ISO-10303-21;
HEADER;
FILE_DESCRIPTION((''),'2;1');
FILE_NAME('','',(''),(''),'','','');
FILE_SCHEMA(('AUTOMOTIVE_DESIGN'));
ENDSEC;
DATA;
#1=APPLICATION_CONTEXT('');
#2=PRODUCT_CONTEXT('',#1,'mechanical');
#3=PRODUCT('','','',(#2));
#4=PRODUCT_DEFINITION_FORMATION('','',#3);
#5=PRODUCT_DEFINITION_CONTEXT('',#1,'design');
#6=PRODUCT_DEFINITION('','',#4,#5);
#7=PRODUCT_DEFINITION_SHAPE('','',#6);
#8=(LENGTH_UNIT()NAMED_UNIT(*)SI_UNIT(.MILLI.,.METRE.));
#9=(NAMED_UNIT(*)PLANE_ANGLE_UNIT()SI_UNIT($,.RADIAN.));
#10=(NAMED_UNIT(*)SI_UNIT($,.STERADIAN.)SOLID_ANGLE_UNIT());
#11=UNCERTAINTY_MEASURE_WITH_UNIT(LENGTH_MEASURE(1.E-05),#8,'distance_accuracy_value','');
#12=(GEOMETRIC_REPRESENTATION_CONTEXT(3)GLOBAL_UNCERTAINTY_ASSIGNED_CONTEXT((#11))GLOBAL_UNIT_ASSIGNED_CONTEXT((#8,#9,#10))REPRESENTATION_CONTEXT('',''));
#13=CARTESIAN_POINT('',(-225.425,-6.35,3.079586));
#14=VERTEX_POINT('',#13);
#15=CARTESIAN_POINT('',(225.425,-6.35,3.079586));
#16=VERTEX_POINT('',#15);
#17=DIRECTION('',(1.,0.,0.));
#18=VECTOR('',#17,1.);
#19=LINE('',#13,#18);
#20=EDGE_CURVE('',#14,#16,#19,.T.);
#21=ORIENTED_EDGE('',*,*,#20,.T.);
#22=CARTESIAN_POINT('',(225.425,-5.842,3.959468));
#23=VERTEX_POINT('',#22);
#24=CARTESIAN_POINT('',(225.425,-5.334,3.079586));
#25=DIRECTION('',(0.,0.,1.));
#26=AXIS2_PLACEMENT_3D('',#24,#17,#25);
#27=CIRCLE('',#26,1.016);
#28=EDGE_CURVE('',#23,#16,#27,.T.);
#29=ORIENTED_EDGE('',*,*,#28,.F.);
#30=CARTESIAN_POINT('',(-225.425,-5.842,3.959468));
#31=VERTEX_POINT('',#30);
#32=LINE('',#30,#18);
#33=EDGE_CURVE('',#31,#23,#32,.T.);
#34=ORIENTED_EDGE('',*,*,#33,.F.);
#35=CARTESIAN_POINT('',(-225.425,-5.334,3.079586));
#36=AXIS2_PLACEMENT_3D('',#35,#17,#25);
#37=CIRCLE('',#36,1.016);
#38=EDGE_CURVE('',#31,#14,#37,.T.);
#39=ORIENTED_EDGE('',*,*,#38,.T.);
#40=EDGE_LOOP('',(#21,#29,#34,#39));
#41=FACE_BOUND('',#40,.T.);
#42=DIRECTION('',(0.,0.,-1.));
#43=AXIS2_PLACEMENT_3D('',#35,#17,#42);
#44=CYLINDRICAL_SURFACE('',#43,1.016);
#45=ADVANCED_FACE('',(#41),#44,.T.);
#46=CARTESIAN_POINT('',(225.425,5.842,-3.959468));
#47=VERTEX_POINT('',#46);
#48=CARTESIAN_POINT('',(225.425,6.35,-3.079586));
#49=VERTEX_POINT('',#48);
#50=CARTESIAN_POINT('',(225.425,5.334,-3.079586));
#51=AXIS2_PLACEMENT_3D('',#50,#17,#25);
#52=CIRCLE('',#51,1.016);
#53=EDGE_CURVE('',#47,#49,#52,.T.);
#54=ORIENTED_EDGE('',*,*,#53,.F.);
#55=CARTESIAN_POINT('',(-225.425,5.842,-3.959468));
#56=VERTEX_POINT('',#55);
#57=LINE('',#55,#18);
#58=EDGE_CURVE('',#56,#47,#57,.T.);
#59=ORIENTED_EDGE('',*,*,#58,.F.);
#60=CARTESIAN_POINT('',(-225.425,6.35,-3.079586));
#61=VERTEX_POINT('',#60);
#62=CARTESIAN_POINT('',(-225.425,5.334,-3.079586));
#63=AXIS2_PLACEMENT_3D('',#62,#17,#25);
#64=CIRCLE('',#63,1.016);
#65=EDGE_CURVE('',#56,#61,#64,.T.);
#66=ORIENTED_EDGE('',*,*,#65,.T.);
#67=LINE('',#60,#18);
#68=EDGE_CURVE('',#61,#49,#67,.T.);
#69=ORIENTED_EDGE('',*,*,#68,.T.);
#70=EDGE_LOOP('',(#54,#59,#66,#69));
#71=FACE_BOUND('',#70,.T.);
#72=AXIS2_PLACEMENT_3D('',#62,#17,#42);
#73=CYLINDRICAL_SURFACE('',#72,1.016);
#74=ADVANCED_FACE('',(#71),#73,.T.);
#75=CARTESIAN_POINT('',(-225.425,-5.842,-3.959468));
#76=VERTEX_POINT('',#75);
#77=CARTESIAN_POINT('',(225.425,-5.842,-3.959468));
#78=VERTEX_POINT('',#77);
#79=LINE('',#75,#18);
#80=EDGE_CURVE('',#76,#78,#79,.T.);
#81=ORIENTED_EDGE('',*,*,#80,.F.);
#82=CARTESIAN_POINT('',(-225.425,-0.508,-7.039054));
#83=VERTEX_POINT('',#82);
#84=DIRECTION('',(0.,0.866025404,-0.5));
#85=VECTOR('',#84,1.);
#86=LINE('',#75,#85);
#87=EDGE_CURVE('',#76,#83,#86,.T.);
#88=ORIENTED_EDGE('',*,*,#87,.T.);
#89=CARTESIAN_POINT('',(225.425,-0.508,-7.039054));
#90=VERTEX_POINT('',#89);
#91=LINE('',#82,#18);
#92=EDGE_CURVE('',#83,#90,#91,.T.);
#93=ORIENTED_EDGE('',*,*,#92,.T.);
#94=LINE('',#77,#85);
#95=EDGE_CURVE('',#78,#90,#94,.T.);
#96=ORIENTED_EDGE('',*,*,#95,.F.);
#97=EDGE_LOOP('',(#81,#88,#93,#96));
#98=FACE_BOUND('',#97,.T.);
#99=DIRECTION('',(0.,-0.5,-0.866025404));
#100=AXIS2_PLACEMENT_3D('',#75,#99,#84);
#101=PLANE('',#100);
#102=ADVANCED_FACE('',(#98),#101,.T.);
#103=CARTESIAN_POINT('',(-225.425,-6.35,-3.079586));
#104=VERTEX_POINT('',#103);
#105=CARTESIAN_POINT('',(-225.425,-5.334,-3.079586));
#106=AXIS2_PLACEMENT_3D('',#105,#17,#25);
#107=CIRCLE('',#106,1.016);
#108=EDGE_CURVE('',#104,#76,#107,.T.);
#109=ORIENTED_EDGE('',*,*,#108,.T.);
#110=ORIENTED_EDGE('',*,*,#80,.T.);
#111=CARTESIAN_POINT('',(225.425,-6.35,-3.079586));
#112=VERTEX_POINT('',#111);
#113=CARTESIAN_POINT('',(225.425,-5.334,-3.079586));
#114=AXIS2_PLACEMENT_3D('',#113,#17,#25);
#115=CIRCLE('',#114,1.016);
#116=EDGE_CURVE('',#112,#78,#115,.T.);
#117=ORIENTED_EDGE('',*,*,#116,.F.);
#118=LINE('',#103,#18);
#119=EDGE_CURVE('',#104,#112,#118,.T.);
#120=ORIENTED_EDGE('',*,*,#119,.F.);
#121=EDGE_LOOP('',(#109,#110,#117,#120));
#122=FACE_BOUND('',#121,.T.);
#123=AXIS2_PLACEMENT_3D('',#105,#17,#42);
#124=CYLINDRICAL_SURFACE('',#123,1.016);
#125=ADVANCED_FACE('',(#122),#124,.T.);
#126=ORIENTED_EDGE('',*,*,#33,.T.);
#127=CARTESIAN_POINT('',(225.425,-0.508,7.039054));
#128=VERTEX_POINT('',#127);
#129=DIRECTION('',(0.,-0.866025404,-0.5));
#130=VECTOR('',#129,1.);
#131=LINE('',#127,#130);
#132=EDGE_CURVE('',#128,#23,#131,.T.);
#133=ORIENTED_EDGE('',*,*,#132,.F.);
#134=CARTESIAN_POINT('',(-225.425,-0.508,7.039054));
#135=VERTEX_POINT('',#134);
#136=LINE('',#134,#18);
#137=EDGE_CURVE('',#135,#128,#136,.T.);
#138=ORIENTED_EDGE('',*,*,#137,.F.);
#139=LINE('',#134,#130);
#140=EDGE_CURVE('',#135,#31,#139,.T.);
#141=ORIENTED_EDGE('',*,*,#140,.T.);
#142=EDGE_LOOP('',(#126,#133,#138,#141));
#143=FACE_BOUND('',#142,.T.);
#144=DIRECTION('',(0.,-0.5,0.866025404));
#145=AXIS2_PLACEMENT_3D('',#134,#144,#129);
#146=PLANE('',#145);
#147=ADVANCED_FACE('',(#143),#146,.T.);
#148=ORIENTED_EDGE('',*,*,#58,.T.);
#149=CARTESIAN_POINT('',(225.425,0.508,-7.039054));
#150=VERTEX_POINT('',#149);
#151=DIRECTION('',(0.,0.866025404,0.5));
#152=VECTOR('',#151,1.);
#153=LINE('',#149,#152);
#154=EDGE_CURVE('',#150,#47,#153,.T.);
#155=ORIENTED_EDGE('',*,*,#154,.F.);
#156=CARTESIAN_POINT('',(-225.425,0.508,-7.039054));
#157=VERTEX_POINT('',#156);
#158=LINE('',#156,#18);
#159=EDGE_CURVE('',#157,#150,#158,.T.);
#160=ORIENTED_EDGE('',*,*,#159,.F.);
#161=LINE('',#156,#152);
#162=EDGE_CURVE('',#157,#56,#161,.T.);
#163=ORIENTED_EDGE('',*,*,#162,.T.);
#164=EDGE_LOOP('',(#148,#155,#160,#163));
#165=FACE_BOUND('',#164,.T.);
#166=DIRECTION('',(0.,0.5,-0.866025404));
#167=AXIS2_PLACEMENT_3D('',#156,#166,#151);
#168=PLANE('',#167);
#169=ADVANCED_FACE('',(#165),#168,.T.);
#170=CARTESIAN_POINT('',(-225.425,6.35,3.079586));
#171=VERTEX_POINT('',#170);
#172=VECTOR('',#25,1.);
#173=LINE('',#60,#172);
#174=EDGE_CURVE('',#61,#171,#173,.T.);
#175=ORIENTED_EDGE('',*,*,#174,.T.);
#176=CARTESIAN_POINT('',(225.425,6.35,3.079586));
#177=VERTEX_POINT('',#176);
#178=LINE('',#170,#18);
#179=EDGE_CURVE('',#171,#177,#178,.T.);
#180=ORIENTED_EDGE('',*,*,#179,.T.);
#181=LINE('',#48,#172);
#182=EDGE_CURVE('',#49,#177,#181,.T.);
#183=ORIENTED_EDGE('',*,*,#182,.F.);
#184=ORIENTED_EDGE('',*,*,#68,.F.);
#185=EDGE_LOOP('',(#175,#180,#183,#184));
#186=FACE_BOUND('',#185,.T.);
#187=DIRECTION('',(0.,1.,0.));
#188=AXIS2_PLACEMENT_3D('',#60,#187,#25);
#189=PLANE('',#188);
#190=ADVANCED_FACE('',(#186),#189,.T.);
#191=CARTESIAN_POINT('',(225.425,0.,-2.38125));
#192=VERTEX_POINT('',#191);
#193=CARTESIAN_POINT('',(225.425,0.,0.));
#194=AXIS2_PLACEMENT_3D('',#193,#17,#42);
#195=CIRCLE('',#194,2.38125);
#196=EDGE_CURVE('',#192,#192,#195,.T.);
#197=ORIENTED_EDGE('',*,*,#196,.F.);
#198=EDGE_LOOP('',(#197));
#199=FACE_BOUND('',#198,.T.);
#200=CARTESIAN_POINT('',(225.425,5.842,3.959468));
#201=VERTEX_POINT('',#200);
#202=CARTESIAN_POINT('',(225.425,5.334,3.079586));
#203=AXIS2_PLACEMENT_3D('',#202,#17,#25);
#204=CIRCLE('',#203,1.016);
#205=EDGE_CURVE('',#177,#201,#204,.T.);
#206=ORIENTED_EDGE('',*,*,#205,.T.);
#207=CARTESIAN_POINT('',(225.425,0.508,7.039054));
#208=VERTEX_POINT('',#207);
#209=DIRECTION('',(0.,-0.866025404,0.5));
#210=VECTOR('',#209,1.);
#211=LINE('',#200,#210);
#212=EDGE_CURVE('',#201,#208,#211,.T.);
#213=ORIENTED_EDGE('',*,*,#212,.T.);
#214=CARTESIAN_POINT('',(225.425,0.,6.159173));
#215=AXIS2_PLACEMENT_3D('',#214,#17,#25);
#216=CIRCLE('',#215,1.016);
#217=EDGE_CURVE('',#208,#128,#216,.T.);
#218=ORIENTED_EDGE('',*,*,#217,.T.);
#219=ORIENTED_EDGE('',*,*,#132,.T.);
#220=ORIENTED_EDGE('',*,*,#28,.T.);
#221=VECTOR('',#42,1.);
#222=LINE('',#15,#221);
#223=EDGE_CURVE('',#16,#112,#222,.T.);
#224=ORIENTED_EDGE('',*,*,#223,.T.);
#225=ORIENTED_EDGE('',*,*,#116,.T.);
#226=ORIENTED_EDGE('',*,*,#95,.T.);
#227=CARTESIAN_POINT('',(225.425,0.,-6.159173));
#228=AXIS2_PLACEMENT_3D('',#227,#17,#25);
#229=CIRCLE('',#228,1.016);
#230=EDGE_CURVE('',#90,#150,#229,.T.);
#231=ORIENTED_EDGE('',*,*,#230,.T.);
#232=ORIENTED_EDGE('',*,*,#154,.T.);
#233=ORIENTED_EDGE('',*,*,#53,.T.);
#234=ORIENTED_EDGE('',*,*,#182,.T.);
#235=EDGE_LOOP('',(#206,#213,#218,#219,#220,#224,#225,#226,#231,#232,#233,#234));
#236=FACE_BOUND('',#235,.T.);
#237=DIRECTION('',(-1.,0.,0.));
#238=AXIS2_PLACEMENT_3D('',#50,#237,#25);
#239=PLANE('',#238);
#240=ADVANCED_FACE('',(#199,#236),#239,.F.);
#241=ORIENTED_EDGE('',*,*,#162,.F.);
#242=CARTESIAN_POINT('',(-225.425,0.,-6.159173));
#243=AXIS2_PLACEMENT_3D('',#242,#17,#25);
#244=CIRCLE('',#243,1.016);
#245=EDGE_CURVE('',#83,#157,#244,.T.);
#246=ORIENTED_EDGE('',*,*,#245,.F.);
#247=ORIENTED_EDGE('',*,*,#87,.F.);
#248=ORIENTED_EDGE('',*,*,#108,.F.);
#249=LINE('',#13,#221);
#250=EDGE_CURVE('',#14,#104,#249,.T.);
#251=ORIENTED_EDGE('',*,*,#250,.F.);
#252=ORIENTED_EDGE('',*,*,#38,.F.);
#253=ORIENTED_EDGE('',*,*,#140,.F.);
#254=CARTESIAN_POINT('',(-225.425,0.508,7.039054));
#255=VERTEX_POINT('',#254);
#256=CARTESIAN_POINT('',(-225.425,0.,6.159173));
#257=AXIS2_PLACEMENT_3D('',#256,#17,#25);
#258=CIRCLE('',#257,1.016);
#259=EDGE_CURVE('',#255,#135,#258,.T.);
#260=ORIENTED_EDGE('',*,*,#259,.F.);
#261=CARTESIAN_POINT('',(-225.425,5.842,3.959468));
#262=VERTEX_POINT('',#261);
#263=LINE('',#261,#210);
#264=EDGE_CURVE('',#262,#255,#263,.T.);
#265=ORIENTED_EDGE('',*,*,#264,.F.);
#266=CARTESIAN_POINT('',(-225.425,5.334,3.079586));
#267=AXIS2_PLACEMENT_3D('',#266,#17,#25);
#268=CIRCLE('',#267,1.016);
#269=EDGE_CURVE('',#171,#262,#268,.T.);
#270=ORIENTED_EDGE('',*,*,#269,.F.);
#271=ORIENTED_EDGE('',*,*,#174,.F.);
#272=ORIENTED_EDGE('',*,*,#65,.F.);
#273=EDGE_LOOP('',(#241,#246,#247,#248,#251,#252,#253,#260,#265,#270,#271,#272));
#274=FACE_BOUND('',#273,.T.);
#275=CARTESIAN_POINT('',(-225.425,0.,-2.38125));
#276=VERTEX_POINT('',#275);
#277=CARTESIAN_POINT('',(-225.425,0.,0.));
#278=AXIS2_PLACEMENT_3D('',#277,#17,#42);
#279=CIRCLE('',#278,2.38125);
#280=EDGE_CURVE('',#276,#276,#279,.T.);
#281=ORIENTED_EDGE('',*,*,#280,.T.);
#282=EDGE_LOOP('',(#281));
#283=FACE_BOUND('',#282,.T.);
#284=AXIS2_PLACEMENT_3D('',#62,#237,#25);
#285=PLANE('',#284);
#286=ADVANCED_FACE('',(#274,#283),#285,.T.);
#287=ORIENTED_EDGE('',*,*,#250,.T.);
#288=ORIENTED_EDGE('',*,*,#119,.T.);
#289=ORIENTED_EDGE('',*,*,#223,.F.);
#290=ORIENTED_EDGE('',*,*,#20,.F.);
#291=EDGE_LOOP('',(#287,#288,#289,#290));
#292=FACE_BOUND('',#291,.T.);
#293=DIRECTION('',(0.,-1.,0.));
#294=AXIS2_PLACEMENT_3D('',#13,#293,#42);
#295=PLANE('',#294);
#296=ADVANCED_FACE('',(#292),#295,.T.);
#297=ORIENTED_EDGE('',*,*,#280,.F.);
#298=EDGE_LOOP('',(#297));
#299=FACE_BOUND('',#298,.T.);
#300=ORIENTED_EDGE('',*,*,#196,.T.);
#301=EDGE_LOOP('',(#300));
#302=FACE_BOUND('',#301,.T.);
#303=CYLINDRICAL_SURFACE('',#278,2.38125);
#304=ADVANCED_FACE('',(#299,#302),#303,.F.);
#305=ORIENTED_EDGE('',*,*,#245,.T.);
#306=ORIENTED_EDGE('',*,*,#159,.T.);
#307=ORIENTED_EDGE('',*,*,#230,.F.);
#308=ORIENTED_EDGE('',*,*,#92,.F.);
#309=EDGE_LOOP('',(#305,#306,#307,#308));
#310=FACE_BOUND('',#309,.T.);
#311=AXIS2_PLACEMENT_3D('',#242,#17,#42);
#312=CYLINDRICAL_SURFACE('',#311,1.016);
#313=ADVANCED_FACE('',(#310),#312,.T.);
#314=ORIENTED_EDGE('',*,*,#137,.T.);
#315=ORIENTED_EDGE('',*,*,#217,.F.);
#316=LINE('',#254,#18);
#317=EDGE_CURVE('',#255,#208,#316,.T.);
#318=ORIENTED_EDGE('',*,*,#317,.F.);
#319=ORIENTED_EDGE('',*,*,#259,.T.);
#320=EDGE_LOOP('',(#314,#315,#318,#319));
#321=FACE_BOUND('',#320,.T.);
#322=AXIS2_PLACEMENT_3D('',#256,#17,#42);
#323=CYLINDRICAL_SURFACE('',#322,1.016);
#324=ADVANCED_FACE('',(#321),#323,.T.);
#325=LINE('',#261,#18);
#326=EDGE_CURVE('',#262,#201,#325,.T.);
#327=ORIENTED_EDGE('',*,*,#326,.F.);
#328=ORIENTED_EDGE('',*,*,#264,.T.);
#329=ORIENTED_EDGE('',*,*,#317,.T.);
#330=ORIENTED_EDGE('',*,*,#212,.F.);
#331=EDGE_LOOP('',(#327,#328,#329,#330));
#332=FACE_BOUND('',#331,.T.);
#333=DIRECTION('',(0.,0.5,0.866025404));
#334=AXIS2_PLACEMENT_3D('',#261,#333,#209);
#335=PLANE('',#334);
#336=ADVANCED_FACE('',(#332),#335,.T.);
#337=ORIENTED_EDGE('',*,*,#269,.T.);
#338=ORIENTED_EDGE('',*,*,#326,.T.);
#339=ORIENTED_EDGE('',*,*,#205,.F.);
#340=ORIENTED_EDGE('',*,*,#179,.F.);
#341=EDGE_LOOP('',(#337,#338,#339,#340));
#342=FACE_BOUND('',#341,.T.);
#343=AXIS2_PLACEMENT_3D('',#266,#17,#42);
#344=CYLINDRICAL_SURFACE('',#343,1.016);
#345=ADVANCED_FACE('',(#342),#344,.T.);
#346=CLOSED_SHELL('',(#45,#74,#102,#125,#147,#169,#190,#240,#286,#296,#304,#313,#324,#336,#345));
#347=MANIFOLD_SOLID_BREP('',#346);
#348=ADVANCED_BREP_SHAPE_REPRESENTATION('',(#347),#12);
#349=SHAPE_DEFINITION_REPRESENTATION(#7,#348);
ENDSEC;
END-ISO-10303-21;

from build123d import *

# Parameters (mm, degrees)
SKETCH1_R                = 2.38125
BOSS_EXTRUDE1_DEPTH      = 225.425
BOSS_EXTRUDE1_DEPTH_BACK = 225.425


with BuildPart() as part:
    # Sketch1 → Boss-Extrude1 (new body, two sides)
    with BuildSketch(Plane(origin=(0, 0, 0), x_dir=(0, 0, -1), z_dir=(1, 0, 0))) as boss_extrude1_sk:
        with BuildLine():
            Line((7.039054482, 0.508), (3.959468146, 5.842))
            ThreePointArc((3.959468146, 5.842), (3.587586336, 6.21388181), (3.079586336, 6.35))
            Line((3.079586336, 6.35), (-3.079586336, 6.35))
            ThreePointArc((-3.079586336, 6.35), (-3.587586336, 6.21388181), (-3.959468146, 5.842))
            Line((-3.959468146, 5.842), (-7.039054482, 0.508))
            ThreePointArc((-7.039054482, 0.508), (-7.175172672, 0), (-7.039054482, -0.508))
            Line((-7.039054482, -0.508), (-3.959468146, -5.842))
            ThreePointArc((-3.959468146, -5.842), (-3.587586336, -6.21388181), (-3.079586336, -6.35))
            Line((-3.079586336, -6.35), (3.079586336, -6.35))
            ThreePointArc((3.079586336, -6.35), (3.587586336, -6.21388181), (3.959468146, -5.842))
            Line((3.959468146, -5.842), (7.039054482, -0.508))
            ThreePointArc((7.039054482, -0.508), (7.175172672, 0), (7.039054482, 0.508))
        make_face()
        Circle(SKETCH1_R, mode=Mode.SUBTRACT)
    extrude(amount=BOSS_EXTRUDE1_DEPTH)
    extrude(boss_extrude1_sk.sketch, amount=-BOSS_EXTRUDE1_DEPTH_BACK)


solid = part.part
